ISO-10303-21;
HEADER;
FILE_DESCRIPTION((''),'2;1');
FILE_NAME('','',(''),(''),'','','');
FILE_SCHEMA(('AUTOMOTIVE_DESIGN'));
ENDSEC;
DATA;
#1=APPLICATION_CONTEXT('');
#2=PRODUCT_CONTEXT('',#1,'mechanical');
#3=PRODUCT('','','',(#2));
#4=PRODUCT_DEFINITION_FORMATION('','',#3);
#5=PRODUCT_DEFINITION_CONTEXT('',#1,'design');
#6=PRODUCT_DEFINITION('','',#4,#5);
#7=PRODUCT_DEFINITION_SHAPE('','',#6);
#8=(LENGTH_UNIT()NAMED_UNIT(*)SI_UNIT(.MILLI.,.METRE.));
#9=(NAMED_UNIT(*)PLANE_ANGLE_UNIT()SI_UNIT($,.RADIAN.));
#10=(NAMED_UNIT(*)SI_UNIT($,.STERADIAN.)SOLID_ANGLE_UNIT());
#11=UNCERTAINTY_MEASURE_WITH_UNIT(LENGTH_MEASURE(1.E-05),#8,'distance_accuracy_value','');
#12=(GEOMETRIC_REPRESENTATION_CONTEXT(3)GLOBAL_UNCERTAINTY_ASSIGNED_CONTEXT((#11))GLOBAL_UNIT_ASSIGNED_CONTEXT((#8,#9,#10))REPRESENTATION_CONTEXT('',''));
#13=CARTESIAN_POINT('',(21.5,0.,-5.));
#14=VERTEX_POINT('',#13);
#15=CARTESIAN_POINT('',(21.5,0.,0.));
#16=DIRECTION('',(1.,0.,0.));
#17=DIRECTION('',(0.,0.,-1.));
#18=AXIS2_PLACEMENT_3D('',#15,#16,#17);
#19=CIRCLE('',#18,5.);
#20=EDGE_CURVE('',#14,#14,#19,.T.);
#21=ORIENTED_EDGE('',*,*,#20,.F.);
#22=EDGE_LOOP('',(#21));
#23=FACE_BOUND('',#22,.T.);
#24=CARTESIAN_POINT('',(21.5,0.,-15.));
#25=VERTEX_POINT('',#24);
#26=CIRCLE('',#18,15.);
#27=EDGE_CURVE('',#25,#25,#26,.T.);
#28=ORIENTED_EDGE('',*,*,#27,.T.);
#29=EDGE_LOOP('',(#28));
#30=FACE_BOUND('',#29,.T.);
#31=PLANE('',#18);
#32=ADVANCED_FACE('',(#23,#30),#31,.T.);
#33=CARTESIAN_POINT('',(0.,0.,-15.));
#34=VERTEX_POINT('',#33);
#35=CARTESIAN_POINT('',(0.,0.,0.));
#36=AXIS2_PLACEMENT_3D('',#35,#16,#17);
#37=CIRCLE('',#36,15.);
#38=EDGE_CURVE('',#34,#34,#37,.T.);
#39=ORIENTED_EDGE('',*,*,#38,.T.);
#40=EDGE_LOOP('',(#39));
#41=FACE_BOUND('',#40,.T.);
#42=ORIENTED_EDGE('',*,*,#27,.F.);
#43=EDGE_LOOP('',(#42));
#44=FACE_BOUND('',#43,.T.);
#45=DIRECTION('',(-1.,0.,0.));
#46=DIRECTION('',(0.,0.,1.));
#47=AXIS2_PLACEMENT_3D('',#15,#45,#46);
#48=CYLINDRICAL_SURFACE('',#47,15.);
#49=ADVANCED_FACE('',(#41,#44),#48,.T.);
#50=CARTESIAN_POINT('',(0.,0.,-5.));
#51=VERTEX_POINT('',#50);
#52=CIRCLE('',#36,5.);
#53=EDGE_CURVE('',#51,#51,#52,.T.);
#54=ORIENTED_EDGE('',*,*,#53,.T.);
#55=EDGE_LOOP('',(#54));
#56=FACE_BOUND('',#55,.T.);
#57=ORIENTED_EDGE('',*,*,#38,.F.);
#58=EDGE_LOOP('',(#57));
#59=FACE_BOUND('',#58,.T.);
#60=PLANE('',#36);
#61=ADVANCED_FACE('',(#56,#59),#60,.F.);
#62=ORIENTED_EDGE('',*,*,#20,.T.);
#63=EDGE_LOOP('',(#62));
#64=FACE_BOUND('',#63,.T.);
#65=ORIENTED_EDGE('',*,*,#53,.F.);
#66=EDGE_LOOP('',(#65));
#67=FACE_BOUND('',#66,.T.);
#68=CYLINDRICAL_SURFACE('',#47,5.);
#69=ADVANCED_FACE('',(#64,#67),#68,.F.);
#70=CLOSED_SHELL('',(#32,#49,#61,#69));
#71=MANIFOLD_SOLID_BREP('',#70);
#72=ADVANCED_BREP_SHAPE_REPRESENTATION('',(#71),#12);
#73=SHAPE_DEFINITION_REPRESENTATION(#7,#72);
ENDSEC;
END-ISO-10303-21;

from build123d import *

# Parameters (mm, degrees)
SKETCH_1_R      = 15
SKETCH_1_R_2    = 5
EXTRUDE_1_DEPTH = 21.5


with BuildPart() as part:
    # Эскиз1 → Вытянуть1 (new body)
    with BuildSketch(Plane(origin=(0, 0, 0), x_dir=(0, 0, -1), z_dir=(1, 0, 0))):
        Circle(SKETCH_1_R)
        Circle(SKETCH_1_R_2, mode=Mode.SUBTRACT)
    extrude(amount=EXTRUDE_1_DEPTH)


solid = part.part
